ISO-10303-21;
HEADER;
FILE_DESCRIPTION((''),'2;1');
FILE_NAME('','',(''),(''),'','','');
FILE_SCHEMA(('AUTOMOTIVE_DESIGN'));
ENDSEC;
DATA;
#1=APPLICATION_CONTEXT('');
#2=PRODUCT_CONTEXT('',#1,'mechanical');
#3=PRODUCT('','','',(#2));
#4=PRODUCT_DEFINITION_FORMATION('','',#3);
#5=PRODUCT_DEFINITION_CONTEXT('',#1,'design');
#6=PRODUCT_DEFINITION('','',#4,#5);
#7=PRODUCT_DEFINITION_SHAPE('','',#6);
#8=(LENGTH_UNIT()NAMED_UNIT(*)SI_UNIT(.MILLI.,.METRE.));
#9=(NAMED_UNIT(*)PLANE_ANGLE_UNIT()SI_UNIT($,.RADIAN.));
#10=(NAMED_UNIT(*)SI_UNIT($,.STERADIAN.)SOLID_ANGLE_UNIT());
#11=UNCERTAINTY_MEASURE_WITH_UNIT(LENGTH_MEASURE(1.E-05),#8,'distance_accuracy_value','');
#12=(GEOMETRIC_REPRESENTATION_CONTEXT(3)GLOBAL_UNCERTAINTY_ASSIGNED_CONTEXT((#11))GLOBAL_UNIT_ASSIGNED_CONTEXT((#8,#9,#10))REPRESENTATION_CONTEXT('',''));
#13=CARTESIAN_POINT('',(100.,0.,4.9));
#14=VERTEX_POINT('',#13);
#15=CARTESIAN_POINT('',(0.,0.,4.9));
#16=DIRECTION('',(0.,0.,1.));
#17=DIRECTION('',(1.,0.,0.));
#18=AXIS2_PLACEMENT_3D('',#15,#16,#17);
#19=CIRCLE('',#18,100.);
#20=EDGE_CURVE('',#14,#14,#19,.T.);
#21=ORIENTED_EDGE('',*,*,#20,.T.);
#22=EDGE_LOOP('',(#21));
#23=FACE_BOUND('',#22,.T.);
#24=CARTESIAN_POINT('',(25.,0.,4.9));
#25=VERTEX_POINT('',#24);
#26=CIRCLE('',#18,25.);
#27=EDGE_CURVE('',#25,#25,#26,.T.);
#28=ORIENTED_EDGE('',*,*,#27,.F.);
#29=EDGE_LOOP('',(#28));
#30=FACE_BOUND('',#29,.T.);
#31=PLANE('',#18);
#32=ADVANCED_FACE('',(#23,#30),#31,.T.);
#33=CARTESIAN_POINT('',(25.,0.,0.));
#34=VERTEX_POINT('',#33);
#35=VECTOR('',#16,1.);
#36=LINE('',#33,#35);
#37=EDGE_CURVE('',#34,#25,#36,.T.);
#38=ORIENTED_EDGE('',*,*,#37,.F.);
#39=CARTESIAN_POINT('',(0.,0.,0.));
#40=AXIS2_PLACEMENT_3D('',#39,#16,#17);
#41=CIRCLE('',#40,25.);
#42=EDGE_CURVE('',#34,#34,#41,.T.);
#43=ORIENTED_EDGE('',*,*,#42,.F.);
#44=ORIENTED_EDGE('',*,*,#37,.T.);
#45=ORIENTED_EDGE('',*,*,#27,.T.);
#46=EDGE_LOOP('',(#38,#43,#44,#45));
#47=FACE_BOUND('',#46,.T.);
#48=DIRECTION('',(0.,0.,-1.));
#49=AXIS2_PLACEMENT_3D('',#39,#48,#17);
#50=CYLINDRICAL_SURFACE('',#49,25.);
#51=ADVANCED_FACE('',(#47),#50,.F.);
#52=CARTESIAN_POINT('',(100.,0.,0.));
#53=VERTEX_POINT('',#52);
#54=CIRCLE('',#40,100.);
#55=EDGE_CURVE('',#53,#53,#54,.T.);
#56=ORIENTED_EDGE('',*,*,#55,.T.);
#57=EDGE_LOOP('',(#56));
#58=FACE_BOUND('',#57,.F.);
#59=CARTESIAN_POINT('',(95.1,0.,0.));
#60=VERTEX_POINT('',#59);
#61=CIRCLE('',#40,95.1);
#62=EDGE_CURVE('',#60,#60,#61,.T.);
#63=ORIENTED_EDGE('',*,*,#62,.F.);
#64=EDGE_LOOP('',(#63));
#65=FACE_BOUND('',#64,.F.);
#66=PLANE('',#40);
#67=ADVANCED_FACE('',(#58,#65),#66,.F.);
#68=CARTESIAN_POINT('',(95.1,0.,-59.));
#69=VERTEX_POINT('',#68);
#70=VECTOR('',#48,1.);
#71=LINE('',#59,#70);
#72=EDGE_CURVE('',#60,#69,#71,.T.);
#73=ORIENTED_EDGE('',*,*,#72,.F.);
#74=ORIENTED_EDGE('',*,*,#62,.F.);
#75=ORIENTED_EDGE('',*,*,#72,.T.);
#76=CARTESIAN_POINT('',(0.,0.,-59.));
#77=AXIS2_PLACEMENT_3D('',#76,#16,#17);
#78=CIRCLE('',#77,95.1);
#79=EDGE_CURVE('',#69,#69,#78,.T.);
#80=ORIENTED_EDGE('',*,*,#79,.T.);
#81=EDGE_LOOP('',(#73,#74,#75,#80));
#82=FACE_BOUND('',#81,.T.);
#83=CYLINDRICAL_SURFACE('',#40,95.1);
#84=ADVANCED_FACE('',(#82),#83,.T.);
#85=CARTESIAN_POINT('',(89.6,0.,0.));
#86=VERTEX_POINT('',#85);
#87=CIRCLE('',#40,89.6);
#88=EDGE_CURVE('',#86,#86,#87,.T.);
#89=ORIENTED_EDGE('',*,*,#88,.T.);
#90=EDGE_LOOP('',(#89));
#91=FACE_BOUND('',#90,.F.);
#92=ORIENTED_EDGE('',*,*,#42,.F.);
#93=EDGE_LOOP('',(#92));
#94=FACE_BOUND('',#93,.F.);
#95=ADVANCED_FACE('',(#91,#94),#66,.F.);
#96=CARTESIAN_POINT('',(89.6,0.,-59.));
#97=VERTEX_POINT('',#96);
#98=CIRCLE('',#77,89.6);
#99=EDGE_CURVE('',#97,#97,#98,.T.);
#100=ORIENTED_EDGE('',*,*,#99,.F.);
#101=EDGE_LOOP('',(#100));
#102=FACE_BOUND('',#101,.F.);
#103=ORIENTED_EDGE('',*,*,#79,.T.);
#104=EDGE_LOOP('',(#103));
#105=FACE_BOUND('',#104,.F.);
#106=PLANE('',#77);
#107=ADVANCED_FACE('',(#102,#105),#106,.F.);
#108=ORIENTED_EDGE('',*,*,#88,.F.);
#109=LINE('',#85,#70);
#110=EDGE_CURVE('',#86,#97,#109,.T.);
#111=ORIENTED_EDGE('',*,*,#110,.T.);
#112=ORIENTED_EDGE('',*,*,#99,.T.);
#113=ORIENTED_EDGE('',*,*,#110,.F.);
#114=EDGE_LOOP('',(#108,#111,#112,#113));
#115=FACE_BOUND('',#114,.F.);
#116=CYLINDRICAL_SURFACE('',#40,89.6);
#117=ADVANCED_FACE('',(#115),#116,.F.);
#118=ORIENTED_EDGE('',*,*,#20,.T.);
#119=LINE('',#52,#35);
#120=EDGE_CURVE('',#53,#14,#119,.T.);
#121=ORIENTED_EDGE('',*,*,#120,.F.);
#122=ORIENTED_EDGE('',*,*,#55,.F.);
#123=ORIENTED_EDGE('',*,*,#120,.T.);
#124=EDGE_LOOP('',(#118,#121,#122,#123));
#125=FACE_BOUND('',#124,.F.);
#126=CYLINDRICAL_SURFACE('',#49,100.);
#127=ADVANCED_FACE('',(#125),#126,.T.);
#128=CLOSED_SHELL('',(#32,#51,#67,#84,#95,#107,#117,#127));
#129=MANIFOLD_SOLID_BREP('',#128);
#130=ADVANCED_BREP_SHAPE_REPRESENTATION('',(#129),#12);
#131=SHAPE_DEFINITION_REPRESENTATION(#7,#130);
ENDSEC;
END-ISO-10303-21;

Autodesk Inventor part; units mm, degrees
ref_plane "YZ Plane" through (0, 0, 0) normal (1, 0, 0) x (0, 1, 0)
ref_plane "XZ Plane" through (0, 0, 0) normal (0, 1, 0) x (-1, 0, 0)
ref_plane "XY Plane" through (0, 0, 0) normal (0, 0, 1) x (1, 0, 0)
sketch "Skizze1" plane through (0, 0, 0) normal (0, 0, 1) x (1, 0, 0)
  circle A0 centre (0, 0) radius 100
  circle A1 centre (0, 0) radius 95.1
  circle A2 centre (0, 0) radius 89.6
  circle A3 centre (0, 0) radius 25
  dimension "d0" = 200
  dimension "d1" = 4.9
  dimension "d2" = 5.5
  dimension "d7" = 50
extrude "Extrusion1" add sketch "Skizze1" along normal blind 4.9 contours A0 | A1 | A2
extrude "Extrusion2" add sketch "Skizze1" against normal blind 59 contours A1
equation "\"d0\" = kg_diameter"
equation "\"d1\" = kg_thickness"
equation "\"d7\" = ht_diameter"
equation "\"d3\" = kg_thickness"
equation "\"kg_diameter\" = 200"
equation "\"kg_thickness\" = 4.9"
equation "\"ht_diameter\" = 50"
equation "\"ht_thickness\" = 1.9"
equation "\"case_thickness\" = 18"
equation "\"gap_fit\" = 0.1"
equation "\"gap_slide\" = 0.2"
equation "\"gap_air\" = 1"
equation "\"bore_diameter\" = 73"
equation "\"tape_thickness\" = 3"
equation "\"mdf_thickness\" = 6"
equation "\"tape_width\" = 15"
equation "\"inner_thickness\" = 15"
equation "\"inner_depth\" = 255"
properties part number "Zyklon_Deckel"
